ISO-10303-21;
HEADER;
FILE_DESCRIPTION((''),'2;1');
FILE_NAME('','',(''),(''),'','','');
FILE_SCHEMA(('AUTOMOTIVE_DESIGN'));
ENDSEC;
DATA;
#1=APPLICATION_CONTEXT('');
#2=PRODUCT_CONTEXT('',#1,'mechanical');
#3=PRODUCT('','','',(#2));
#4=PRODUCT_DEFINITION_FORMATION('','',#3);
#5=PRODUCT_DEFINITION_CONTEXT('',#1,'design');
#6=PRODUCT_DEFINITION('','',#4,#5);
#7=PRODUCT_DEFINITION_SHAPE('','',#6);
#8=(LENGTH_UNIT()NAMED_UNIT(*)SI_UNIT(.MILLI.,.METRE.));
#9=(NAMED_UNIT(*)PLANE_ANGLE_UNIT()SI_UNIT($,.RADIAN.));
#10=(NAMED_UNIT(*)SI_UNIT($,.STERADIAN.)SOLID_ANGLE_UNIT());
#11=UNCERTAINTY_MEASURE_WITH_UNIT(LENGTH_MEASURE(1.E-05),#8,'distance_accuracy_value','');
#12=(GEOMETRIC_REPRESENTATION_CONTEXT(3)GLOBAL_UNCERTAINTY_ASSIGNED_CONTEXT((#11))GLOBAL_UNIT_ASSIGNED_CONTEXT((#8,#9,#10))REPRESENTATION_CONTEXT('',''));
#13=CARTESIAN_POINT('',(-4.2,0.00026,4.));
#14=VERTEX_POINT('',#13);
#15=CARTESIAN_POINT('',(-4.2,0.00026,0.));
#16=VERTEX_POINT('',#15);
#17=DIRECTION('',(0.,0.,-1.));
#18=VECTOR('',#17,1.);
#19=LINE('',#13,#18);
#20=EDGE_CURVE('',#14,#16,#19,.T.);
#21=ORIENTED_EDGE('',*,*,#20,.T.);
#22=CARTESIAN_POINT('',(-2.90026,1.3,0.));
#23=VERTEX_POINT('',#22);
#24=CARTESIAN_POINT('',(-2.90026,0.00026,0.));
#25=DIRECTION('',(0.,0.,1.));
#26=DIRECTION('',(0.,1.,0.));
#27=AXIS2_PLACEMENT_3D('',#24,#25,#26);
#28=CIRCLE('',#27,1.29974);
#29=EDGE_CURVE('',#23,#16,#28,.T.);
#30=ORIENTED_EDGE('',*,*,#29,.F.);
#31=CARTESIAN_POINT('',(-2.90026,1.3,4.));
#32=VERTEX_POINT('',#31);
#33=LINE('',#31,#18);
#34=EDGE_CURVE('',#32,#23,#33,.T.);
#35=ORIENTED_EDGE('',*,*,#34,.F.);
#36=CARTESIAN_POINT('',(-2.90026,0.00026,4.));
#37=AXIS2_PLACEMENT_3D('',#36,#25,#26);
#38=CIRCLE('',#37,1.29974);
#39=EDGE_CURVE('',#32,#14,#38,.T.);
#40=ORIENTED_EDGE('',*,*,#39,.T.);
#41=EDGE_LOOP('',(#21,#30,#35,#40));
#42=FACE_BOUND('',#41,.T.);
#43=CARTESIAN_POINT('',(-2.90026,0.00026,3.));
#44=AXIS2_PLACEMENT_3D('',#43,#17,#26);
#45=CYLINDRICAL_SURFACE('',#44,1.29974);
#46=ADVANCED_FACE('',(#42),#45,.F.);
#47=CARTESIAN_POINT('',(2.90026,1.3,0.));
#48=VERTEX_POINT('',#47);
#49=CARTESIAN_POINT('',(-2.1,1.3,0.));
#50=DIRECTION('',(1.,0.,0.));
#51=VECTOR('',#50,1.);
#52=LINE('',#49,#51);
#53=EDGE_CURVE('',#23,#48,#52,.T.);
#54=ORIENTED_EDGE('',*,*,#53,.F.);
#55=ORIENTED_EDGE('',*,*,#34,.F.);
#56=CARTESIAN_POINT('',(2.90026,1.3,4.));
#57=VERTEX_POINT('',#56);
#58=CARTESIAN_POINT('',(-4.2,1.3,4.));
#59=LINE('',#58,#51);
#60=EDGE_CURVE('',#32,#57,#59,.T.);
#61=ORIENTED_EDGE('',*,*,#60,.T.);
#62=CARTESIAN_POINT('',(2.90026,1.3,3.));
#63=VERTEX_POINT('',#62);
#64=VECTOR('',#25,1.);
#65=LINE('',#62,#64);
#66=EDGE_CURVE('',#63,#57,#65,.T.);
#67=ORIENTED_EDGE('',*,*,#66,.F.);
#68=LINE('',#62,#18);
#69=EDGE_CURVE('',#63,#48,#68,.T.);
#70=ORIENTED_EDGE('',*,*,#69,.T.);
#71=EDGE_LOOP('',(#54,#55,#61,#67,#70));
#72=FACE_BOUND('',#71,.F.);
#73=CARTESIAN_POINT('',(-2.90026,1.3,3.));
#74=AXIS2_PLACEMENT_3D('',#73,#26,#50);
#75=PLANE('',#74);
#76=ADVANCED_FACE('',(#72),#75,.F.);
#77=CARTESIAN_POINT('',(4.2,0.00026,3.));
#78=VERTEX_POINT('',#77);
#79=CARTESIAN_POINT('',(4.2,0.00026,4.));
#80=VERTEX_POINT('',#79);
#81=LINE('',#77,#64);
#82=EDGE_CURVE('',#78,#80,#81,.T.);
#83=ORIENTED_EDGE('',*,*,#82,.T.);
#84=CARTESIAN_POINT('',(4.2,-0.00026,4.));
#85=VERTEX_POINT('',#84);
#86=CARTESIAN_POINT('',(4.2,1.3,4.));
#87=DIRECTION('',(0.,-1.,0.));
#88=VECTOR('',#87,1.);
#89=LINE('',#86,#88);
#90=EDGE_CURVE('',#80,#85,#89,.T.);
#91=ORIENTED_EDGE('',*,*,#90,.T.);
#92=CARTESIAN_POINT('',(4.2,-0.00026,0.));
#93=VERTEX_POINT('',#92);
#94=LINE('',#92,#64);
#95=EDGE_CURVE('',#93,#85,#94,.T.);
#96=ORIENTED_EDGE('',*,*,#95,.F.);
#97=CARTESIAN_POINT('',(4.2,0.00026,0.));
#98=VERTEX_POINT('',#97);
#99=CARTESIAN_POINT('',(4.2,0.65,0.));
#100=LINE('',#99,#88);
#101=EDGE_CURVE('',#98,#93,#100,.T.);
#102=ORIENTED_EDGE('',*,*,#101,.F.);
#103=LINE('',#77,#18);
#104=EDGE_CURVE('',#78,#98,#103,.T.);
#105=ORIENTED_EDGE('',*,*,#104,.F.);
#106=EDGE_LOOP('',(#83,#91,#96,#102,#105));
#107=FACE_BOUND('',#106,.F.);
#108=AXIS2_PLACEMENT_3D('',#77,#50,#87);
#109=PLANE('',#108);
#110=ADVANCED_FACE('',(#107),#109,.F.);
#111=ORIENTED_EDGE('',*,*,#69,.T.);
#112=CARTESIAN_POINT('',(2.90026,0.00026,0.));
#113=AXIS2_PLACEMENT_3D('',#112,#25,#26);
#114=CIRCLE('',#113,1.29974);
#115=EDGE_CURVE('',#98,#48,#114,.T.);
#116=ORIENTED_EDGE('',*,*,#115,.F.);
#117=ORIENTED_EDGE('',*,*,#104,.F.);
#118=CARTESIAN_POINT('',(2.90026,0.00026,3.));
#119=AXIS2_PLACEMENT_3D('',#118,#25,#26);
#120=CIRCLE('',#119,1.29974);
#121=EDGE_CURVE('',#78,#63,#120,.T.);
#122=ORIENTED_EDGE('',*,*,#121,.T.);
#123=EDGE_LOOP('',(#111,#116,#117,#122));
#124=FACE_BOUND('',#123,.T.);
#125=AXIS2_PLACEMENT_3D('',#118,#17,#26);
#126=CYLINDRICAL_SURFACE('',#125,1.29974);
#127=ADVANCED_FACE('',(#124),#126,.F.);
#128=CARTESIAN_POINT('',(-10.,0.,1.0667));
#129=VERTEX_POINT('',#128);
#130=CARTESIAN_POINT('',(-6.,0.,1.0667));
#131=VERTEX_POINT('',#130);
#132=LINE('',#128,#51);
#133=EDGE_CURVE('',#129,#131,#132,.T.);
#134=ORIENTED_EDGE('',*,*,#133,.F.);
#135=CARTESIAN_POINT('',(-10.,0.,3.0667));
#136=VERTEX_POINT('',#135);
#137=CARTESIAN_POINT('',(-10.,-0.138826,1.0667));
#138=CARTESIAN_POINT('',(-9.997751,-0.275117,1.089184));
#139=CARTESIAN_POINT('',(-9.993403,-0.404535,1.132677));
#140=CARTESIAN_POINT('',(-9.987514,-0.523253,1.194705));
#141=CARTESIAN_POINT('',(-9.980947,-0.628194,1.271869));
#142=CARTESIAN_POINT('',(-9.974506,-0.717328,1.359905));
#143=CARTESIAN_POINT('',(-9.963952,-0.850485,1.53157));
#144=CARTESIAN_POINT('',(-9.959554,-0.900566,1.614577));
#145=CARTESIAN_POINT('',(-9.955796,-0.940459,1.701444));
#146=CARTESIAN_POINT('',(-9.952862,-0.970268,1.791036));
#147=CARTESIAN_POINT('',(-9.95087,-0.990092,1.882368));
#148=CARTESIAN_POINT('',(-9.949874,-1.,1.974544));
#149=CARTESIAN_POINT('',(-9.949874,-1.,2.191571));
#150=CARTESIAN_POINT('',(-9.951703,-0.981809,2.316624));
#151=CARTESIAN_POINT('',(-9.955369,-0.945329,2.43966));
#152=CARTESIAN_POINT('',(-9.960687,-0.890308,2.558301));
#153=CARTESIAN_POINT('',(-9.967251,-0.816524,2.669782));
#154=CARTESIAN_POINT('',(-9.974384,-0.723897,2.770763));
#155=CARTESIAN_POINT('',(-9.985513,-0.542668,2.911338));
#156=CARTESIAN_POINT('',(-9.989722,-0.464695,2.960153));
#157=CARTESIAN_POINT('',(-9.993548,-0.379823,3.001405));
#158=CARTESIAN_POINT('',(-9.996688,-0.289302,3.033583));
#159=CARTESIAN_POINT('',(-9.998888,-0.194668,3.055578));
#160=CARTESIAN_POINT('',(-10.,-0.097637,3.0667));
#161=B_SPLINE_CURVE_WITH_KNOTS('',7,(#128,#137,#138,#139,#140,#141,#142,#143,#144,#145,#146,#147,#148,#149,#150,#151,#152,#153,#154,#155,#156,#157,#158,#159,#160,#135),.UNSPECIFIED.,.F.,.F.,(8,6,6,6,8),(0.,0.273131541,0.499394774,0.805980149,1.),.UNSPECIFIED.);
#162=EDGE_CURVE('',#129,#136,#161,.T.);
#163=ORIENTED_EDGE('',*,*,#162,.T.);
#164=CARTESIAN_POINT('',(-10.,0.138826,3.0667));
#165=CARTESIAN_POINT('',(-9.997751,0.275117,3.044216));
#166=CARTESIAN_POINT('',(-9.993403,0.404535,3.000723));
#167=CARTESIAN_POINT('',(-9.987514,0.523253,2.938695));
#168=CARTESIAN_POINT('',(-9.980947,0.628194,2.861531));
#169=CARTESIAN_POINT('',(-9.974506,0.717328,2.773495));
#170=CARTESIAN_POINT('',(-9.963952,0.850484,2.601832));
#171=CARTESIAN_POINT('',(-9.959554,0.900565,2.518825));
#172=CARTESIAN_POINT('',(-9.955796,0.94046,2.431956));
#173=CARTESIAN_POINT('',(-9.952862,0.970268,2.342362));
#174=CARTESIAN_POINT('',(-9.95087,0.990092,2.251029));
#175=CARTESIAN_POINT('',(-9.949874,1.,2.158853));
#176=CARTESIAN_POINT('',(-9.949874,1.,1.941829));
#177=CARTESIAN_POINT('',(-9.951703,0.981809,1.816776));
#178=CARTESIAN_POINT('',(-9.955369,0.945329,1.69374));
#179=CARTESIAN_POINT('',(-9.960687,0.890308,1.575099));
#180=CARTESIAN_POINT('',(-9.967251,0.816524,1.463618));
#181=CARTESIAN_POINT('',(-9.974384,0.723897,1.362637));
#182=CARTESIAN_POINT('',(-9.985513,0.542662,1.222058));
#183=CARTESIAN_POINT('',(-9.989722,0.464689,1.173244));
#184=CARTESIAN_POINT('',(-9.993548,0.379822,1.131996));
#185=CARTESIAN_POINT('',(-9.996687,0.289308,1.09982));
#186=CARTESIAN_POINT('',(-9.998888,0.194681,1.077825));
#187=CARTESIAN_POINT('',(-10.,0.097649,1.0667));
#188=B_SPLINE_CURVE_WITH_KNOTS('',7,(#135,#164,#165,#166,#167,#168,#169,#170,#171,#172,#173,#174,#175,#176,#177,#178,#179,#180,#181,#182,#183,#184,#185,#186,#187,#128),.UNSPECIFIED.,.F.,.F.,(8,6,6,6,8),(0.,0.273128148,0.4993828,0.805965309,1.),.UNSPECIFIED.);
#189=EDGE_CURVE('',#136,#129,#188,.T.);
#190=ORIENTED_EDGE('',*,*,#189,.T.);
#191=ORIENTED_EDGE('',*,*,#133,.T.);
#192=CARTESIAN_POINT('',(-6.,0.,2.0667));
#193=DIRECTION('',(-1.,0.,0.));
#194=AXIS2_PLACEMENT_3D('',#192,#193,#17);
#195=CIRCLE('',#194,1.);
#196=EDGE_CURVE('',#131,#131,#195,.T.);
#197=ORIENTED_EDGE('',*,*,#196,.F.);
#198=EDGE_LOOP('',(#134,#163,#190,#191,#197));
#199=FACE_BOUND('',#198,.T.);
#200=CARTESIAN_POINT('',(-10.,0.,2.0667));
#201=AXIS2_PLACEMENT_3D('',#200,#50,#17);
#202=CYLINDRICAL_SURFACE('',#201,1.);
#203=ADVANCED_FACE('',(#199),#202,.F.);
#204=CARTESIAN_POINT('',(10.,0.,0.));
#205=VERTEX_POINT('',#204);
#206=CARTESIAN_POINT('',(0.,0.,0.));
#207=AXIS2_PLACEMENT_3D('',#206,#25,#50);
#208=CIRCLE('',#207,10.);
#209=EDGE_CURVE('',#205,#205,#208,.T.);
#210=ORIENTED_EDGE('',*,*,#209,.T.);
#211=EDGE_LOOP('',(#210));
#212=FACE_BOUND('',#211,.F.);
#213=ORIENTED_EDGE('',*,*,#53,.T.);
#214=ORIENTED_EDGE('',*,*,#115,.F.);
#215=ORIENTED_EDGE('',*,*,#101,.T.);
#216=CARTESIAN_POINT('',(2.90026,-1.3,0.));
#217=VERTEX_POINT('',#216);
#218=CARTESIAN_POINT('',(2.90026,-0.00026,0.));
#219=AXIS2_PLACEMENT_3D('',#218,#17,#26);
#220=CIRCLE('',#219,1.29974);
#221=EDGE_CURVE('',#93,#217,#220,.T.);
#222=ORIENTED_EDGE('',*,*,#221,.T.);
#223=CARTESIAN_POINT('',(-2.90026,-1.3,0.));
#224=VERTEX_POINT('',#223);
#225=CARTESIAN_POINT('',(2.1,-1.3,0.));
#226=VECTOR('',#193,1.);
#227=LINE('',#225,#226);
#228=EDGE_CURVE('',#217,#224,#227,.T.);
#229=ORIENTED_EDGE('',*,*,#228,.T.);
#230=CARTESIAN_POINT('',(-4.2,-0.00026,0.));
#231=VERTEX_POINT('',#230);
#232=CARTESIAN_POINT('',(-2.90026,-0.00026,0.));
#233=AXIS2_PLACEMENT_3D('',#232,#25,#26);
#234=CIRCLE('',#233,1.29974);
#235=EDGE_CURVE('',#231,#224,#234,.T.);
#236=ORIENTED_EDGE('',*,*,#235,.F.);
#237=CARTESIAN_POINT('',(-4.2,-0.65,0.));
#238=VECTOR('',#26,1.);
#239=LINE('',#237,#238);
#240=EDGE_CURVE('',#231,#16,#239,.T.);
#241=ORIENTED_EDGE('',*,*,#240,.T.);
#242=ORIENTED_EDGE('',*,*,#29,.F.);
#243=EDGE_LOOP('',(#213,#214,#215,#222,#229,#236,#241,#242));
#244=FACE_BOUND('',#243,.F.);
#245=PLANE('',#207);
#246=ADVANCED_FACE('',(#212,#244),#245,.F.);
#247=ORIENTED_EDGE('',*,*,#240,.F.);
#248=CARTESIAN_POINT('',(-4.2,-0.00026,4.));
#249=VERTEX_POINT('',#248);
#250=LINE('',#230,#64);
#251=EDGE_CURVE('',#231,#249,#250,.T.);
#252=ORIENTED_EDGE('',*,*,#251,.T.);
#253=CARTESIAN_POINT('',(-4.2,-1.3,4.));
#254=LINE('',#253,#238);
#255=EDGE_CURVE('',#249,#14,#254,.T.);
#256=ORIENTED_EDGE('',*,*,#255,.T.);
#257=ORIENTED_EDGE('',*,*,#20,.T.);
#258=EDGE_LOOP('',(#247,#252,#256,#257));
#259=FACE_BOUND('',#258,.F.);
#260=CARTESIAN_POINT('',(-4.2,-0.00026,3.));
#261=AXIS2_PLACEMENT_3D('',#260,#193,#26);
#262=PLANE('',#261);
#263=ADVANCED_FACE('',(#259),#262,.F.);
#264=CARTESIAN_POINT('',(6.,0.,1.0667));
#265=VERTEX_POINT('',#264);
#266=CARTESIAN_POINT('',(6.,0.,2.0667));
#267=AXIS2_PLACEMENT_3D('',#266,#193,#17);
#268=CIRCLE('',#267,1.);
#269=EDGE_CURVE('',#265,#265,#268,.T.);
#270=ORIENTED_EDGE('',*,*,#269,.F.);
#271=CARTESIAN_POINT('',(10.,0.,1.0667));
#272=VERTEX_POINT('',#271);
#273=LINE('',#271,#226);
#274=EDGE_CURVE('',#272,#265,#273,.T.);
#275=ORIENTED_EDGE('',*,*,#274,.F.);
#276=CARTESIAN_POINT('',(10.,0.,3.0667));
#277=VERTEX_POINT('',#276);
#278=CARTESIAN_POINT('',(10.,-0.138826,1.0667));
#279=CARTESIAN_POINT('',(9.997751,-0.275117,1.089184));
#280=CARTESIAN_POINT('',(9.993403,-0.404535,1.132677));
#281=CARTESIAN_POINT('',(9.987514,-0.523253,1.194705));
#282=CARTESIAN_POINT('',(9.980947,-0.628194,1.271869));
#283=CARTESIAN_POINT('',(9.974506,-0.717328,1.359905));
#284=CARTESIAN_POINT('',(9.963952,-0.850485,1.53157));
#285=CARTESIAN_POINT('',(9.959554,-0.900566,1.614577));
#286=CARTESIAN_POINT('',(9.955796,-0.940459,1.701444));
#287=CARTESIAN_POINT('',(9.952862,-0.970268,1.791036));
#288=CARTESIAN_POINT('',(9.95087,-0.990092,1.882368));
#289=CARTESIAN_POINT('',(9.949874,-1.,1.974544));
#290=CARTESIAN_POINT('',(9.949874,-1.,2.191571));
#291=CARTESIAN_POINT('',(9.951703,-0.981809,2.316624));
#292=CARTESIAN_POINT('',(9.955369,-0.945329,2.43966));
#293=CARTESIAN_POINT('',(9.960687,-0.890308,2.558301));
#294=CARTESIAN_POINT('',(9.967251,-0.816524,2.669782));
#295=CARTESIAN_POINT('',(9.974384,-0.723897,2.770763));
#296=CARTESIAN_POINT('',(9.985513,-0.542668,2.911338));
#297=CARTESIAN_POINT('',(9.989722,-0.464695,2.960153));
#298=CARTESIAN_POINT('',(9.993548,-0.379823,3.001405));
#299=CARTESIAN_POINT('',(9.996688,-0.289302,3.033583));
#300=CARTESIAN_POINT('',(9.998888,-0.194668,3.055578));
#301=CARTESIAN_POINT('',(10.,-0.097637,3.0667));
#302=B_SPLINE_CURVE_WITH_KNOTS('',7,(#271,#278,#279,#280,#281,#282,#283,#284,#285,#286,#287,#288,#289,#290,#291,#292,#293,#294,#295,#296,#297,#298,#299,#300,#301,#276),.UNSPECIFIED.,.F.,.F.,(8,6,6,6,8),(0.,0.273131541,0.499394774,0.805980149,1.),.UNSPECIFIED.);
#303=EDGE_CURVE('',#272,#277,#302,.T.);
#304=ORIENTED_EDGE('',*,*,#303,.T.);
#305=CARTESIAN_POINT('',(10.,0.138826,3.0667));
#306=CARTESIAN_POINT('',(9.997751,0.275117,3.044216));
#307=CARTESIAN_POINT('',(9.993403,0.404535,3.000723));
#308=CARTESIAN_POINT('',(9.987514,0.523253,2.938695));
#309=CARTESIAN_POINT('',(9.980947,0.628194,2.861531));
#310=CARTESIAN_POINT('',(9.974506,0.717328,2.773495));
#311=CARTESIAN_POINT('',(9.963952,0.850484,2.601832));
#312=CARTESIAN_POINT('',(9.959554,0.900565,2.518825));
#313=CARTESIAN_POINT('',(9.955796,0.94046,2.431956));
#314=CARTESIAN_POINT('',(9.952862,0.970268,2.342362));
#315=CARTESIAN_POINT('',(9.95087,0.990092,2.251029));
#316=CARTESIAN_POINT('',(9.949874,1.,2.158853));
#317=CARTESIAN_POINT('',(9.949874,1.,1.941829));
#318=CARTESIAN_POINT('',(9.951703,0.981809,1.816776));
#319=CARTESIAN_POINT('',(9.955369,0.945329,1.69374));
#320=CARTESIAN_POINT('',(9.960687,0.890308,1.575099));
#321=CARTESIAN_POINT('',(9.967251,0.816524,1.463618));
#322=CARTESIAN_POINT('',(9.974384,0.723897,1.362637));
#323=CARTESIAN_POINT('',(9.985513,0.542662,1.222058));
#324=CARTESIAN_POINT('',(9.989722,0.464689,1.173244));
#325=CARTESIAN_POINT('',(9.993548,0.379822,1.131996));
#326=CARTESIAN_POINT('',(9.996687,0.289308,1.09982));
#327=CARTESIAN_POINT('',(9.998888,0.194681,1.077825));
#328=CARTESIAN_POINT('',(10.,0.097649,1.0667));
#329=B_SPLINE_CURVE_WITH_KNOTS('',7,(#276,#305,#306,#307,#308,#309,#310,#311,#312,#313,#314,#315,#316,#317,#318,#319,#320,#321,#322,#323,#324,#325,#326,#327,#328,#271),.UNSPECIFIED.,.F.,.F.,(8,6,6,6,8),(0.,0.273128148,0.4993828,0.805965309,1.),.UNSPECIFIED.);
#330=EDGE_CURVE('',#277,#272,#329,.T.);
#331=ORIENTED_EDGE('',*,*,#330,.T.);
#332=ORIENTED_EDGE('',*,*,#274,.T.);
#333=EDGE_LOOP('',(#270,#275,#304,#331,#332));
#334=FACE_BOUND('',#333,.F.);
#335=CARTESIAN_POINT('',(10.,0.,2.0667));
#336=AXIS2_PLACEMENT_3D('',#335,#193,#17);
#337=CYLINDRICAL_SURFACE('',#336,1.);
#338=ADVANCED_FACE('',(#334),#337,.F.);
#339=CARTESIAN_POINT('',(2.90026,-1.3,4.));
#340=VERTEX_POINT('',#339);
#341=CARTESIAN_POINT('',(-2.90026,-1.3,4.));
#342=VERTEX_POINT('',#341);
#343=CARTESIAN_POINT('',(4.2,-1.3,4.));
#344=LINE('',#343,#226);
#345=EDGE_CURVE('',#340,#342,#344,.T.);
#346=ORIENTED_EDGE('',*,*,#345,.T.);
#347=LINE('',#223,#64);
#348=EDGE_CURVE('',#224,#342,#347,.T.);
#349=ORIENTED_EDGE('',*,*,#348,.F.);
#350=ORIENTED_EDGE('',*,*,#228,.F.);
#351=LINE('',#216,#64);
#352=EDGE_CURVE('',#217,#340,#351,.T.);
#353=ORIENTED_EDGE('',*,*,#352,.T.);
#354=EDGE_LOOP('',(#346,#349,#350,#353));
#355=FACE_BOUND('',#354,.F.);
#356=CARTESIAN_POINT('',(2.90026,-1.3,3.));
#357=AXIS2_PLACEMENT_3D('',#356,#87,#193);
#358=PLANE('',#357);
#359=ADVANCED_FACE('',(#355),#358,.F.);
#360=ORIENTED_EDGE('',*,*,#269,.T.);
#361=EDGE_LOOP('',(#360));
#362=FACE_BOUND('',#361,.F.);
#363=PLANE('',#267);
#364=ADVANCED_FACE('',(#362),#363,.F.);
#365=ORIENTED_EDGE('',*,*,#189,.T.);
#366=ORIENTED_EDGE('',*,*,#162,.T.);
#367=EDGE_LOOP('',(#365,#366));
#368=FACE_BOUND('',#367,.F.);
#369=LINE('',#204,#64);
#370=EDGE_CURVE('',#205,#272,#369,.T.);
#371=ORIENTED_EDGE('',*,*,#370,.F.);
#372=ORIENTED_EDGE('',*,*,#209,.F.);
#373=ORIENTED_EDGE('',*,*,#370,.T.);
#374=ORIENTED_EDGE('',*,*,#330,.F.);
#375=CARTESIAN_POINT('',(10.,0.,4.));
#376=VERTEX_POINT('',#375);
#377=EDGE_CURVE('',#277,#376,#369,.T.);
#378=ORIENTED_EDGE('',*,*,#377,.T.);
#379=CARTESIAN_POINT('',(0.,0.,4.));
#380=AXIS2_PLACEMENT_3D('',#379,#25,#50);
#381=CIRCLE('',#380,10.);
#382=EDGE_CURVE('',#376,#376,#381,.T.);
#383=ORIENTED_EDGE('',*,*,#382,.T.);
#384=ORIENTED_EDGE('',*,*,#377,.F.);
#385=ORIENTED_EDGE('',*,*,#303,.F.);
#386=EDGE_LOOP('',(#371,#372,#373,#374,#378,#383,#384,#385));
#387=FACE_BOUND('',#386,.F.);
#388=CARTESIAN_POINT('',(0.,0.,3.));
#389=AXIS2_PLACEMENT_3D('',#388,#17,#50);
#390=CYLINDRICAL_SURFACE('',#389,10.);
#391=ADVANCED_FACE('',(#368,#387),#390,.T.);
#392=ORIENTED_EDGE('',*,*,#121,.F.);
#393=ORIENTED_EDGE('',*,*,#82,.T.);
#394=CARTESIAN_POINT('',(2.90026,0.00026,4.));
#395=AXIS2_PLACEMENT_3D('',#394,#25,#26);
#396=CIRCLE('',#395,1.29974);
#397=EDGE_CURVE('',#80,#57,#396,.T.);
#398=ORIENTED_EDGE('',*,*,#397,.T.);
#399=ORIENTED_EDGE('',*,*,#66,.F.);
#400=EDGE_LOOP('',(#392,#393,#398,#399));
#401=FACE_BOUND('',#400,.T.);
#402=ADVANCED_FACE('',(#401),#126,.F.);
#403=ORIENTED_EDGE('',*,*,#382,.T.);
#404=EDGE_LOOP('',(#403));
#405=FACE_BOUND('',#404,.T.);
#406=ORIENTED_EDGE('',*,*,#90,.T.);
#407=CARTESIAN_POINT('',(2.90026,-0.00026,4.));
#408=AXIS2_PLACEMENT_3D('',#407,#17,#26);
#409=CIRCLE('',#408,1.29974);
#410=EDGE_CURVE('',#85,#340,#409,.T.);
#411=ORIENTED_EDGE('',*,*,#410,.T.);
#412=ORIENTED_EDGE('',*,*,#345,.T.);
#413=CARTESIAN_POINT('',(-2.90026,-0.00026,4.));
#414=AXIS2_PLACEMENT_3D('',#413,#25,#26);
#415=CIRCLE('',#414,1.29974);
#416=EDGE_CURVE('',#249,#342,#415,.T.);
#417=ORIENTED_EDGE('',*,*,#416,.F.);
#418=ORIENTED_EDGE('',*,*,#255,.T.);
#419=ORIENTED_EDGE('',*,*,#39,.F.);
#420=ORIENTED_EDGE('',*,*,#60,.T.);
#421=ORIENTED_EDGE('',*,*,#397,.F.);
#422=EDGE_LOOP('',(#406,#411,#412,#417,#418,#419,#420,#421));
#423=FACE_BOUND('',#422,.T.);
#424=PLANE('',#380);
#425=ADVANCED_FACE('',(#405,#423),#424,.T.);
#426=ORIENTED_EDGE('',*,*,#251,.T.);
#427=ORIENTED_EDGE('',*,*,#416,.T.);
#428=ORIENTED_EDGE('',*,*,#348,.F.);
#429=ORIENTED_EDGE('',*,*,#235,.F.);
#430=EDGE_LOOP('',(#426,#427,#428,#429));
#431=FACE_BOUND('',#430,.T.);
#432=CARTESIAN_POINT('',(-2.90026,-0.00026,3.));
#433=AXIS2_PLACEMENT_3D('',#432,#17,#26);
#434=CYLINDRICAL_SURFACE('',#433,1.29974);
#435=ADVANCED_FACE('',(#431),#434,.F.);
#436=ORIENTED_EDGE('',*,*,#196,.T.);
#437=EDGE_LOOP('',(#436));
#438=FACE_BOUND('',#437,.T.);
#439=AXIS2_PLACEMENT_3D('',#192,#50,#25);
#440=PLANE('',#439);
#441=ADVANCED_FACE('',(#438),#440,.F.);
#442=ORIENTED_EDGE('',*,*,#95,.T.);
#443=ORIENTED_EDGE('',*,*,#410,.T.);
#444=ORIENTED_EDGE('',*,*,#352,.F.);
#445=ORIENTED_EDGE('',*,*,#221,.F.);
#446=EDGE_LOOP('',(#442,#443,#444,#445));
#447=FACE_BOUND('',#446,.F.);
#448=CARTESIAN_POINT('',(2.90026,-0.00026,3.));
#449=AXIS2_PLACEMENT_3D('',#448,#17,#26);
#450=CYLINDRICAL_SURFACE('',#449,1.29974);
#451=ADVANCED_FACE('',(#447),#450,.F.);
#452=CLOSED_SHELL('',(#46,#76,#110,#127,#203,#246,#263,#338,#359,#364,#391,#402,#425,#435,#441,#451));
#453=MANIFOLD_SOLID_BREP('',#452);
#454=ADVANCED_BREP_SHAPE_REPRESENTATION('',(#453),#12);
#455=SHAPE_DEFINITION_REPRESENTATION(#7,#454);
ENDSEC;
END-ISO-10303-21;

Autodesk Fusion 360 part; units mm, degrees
sketch "Sketch1" plane through (0, 0, 0) normal (0, 0, 1) x (1, 0, 0)
  circle A0 centre (0, 0) radius 10
  dimension "d1" = 20
extrude "Extrude1" add sketch "Sketch1" along normal blind 3
sketch "Sketch2" plane through (0, 0, 3) normal (0, 0, 1) x (-1, 0, 0)
  circle A0 centre (0, 0) radius 10
  line L0 (-4.2, 1.3) -> (4.2, 1.3)
  line L1 (4.2, 1.3) -> (4.2, -1.3)
  line L2 (4.2, -1.3) -> (-4.2, -1.3)
  line L3 (-4.2, -1.3) -> (-4.2, 1.3)
  line L4 (-4.2, 1.3) -> (4.2, -1.3) construction
  line L5 (4.2, 1.3) -> (-4.2, -1.3) construction
  dimension "d4" = 8.4
  dimension "d5" = 2.6
extrude "Extrude2" cut sketch "Sketch2" against normal blind 6 contours L0 L1 L2 L3
fillet "Fillet1" radius 1.3 4 edges at (4.2, 1.3, 1.5) (4.2, -1.3, 1.5) (-4.2, 1.3, 1.5) (-4.2, -1.3, 1.5)
extrude "Extrude3" add 1 faces at (-0.2491, -4.1907, 3) along direction (0, 0, 1) blind 1
hole "Hole1" at (10, 0, 2.0667) direction (-1, 0, 0) diameter 2 depth 4 tip angle 180
mirror "Mirror1" about plane through (0, 0, 0) normal (1, 0, 0) of "Hole1"
